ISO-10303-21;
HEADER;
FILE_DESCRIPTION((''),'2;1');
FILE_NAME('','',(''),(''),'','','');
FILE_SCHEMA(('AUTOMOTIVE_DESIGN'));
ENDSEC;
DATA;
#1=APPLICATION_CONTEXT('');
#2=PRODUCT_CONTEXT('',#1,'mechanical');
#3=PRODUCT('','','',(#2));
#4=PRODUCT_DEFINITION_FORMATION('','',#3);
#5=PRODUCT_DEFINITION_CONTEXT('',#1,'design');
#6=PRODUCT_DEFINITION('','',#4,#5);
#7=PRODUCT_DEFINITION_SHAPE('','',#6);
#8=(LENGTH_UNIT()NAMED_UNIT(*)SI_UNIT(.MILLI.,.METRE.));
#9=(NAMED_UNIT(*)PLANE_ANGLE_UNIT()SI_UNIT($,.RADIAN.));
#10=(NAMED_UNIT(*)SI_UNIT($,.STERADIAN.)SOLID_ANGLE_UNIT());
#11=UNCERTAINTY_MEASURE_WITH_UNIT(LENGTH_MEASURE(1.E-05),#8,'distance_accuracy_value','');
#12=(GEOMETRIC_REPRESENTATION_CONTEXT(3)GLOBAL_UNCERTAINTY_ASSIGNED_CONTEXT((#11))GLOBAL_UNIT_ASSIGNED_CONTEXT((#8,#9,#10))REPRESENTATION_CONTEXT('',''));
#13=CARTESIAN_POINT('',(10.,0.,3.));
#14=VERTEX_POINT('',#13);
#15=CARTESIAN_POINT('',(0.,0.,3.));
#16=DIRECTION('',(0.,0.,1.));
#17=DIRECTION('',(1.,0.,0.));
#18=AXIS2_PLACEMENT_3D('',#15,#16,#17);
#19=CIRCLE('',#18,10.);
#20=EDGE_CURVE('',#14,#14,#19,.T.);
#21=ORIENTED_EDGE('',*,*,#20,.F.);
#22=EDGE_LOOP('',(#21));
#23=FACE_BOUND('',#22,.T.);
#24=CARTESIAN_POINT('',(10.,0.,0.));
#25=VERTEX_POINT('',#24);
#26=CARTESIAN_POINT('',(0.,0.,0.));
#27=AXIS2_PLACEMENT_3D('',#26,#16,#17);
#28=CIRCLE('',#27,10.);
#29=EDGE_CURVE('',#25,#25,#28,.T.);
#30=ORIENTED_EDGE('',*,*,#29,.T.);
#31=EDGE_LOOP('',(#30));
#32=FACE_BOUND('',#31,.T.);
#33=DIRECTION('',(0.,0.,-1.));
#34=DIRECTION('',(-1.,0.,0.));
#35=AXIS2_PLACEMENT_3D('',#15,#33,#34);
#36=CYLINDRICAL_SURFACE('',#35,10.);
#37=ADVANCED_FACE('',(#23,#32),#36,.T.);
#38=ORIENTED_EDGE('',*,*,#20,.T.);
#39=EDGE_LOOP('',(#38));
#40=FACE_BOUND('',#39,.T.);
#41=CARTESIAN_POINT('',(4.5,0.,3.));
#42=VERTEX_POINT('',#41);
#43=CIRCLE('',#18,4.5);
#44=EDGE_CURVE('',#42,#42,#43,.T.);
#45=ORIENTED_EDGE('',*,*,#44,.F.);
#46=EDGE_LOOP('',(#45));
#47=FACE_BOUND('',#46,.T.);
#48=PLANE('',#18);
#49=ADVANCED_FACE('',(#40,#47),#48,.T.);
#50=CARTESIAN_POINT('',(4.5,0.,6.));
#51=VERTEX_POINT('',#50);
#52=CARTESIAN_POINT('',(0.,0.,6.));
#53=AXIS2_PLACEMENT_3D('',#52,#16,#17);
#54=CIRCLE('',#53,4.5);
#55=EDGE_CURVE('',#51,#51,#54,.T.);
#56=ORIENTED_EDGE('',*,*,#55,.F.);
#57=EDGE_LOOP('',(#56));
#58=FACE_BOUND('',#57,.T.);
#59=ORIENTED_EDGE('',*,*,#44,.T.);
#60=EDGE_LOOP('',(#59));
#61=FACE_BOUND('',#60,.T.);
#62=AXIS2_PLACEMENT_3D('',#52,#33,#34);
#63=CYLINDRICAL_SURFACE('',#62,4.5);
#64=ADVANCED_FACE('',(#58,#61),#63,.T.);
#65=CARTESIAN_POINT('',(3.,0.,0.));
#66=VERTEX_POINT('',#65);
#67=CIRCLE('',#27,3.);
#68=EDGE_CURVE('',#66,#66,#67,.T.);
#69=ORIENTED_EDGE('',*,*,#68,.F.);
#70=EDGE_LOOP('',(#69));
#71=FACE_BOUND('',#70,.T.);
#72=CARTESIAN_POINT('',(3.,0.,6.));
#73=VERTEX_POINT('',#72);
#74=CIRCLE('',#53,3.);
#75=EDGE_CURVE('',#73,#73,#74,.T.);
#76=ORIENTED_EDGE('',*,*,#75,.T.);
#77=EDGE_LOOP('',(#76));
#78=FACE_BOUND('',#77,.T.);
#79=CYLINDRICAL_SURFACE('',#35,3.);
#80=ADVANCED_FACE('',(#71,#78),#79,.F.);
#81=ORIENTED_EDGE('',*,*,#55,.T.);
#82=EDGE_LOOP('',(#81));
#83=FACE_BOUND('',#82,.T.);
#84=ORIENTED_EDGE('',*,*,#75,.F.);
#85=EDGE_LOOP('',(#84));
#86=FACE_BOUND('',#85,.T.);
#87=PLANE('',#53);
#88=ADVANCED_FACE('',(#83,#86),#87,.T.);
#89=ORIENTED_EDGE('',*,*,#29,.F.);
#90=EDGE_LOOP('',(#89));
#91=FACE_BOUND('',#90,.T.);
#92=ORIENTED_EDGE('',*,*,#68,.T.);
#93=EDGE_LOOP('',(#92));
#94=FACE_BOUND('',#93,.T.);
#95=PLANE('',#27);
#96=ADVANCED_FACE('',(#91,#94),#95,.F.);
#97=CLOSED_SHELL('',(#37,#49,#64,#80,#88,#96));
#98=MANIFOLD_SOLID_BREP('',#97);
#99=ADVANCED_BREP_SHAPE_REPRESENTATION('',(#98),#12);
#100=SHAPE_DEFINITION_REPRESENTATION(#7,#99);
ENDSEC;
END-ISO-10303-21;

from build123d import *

# Parameters (mm, degrees)
SKETCH1_R           = 10
SKETCH1_R_2         = 3
BOSS_EXTRUDE1_DEPTH = 3
SKETCH2_R           = 4.5
SKETCH2_R_2         = 3
BOSS_EXTRUDE2_DEPTH = 3


with BuildPart() as part:
    # Sketch1 → Boss-Extrude1 (new body)
    with BuildSketch(Plane.XY):
        Circle(SKETCH1_R)
        Circle(SKETCH1_R_2, mode=Mode.SUBTRACT)
    extrude(amount=BOSS_EXTRUDE1_DEPTH)

    # Sketch2 → Boss-Extrude2 (add)
    with BuildSketch(Plane.XY.offset(3)):
        Circle(SKETCH2_R)
        Circle(SKETCH2_R_2, mode=Mode.SUBTRACT)
    extrude(amount=BOSS_EXTRUDE2_DEPTH)


solid = part.part
